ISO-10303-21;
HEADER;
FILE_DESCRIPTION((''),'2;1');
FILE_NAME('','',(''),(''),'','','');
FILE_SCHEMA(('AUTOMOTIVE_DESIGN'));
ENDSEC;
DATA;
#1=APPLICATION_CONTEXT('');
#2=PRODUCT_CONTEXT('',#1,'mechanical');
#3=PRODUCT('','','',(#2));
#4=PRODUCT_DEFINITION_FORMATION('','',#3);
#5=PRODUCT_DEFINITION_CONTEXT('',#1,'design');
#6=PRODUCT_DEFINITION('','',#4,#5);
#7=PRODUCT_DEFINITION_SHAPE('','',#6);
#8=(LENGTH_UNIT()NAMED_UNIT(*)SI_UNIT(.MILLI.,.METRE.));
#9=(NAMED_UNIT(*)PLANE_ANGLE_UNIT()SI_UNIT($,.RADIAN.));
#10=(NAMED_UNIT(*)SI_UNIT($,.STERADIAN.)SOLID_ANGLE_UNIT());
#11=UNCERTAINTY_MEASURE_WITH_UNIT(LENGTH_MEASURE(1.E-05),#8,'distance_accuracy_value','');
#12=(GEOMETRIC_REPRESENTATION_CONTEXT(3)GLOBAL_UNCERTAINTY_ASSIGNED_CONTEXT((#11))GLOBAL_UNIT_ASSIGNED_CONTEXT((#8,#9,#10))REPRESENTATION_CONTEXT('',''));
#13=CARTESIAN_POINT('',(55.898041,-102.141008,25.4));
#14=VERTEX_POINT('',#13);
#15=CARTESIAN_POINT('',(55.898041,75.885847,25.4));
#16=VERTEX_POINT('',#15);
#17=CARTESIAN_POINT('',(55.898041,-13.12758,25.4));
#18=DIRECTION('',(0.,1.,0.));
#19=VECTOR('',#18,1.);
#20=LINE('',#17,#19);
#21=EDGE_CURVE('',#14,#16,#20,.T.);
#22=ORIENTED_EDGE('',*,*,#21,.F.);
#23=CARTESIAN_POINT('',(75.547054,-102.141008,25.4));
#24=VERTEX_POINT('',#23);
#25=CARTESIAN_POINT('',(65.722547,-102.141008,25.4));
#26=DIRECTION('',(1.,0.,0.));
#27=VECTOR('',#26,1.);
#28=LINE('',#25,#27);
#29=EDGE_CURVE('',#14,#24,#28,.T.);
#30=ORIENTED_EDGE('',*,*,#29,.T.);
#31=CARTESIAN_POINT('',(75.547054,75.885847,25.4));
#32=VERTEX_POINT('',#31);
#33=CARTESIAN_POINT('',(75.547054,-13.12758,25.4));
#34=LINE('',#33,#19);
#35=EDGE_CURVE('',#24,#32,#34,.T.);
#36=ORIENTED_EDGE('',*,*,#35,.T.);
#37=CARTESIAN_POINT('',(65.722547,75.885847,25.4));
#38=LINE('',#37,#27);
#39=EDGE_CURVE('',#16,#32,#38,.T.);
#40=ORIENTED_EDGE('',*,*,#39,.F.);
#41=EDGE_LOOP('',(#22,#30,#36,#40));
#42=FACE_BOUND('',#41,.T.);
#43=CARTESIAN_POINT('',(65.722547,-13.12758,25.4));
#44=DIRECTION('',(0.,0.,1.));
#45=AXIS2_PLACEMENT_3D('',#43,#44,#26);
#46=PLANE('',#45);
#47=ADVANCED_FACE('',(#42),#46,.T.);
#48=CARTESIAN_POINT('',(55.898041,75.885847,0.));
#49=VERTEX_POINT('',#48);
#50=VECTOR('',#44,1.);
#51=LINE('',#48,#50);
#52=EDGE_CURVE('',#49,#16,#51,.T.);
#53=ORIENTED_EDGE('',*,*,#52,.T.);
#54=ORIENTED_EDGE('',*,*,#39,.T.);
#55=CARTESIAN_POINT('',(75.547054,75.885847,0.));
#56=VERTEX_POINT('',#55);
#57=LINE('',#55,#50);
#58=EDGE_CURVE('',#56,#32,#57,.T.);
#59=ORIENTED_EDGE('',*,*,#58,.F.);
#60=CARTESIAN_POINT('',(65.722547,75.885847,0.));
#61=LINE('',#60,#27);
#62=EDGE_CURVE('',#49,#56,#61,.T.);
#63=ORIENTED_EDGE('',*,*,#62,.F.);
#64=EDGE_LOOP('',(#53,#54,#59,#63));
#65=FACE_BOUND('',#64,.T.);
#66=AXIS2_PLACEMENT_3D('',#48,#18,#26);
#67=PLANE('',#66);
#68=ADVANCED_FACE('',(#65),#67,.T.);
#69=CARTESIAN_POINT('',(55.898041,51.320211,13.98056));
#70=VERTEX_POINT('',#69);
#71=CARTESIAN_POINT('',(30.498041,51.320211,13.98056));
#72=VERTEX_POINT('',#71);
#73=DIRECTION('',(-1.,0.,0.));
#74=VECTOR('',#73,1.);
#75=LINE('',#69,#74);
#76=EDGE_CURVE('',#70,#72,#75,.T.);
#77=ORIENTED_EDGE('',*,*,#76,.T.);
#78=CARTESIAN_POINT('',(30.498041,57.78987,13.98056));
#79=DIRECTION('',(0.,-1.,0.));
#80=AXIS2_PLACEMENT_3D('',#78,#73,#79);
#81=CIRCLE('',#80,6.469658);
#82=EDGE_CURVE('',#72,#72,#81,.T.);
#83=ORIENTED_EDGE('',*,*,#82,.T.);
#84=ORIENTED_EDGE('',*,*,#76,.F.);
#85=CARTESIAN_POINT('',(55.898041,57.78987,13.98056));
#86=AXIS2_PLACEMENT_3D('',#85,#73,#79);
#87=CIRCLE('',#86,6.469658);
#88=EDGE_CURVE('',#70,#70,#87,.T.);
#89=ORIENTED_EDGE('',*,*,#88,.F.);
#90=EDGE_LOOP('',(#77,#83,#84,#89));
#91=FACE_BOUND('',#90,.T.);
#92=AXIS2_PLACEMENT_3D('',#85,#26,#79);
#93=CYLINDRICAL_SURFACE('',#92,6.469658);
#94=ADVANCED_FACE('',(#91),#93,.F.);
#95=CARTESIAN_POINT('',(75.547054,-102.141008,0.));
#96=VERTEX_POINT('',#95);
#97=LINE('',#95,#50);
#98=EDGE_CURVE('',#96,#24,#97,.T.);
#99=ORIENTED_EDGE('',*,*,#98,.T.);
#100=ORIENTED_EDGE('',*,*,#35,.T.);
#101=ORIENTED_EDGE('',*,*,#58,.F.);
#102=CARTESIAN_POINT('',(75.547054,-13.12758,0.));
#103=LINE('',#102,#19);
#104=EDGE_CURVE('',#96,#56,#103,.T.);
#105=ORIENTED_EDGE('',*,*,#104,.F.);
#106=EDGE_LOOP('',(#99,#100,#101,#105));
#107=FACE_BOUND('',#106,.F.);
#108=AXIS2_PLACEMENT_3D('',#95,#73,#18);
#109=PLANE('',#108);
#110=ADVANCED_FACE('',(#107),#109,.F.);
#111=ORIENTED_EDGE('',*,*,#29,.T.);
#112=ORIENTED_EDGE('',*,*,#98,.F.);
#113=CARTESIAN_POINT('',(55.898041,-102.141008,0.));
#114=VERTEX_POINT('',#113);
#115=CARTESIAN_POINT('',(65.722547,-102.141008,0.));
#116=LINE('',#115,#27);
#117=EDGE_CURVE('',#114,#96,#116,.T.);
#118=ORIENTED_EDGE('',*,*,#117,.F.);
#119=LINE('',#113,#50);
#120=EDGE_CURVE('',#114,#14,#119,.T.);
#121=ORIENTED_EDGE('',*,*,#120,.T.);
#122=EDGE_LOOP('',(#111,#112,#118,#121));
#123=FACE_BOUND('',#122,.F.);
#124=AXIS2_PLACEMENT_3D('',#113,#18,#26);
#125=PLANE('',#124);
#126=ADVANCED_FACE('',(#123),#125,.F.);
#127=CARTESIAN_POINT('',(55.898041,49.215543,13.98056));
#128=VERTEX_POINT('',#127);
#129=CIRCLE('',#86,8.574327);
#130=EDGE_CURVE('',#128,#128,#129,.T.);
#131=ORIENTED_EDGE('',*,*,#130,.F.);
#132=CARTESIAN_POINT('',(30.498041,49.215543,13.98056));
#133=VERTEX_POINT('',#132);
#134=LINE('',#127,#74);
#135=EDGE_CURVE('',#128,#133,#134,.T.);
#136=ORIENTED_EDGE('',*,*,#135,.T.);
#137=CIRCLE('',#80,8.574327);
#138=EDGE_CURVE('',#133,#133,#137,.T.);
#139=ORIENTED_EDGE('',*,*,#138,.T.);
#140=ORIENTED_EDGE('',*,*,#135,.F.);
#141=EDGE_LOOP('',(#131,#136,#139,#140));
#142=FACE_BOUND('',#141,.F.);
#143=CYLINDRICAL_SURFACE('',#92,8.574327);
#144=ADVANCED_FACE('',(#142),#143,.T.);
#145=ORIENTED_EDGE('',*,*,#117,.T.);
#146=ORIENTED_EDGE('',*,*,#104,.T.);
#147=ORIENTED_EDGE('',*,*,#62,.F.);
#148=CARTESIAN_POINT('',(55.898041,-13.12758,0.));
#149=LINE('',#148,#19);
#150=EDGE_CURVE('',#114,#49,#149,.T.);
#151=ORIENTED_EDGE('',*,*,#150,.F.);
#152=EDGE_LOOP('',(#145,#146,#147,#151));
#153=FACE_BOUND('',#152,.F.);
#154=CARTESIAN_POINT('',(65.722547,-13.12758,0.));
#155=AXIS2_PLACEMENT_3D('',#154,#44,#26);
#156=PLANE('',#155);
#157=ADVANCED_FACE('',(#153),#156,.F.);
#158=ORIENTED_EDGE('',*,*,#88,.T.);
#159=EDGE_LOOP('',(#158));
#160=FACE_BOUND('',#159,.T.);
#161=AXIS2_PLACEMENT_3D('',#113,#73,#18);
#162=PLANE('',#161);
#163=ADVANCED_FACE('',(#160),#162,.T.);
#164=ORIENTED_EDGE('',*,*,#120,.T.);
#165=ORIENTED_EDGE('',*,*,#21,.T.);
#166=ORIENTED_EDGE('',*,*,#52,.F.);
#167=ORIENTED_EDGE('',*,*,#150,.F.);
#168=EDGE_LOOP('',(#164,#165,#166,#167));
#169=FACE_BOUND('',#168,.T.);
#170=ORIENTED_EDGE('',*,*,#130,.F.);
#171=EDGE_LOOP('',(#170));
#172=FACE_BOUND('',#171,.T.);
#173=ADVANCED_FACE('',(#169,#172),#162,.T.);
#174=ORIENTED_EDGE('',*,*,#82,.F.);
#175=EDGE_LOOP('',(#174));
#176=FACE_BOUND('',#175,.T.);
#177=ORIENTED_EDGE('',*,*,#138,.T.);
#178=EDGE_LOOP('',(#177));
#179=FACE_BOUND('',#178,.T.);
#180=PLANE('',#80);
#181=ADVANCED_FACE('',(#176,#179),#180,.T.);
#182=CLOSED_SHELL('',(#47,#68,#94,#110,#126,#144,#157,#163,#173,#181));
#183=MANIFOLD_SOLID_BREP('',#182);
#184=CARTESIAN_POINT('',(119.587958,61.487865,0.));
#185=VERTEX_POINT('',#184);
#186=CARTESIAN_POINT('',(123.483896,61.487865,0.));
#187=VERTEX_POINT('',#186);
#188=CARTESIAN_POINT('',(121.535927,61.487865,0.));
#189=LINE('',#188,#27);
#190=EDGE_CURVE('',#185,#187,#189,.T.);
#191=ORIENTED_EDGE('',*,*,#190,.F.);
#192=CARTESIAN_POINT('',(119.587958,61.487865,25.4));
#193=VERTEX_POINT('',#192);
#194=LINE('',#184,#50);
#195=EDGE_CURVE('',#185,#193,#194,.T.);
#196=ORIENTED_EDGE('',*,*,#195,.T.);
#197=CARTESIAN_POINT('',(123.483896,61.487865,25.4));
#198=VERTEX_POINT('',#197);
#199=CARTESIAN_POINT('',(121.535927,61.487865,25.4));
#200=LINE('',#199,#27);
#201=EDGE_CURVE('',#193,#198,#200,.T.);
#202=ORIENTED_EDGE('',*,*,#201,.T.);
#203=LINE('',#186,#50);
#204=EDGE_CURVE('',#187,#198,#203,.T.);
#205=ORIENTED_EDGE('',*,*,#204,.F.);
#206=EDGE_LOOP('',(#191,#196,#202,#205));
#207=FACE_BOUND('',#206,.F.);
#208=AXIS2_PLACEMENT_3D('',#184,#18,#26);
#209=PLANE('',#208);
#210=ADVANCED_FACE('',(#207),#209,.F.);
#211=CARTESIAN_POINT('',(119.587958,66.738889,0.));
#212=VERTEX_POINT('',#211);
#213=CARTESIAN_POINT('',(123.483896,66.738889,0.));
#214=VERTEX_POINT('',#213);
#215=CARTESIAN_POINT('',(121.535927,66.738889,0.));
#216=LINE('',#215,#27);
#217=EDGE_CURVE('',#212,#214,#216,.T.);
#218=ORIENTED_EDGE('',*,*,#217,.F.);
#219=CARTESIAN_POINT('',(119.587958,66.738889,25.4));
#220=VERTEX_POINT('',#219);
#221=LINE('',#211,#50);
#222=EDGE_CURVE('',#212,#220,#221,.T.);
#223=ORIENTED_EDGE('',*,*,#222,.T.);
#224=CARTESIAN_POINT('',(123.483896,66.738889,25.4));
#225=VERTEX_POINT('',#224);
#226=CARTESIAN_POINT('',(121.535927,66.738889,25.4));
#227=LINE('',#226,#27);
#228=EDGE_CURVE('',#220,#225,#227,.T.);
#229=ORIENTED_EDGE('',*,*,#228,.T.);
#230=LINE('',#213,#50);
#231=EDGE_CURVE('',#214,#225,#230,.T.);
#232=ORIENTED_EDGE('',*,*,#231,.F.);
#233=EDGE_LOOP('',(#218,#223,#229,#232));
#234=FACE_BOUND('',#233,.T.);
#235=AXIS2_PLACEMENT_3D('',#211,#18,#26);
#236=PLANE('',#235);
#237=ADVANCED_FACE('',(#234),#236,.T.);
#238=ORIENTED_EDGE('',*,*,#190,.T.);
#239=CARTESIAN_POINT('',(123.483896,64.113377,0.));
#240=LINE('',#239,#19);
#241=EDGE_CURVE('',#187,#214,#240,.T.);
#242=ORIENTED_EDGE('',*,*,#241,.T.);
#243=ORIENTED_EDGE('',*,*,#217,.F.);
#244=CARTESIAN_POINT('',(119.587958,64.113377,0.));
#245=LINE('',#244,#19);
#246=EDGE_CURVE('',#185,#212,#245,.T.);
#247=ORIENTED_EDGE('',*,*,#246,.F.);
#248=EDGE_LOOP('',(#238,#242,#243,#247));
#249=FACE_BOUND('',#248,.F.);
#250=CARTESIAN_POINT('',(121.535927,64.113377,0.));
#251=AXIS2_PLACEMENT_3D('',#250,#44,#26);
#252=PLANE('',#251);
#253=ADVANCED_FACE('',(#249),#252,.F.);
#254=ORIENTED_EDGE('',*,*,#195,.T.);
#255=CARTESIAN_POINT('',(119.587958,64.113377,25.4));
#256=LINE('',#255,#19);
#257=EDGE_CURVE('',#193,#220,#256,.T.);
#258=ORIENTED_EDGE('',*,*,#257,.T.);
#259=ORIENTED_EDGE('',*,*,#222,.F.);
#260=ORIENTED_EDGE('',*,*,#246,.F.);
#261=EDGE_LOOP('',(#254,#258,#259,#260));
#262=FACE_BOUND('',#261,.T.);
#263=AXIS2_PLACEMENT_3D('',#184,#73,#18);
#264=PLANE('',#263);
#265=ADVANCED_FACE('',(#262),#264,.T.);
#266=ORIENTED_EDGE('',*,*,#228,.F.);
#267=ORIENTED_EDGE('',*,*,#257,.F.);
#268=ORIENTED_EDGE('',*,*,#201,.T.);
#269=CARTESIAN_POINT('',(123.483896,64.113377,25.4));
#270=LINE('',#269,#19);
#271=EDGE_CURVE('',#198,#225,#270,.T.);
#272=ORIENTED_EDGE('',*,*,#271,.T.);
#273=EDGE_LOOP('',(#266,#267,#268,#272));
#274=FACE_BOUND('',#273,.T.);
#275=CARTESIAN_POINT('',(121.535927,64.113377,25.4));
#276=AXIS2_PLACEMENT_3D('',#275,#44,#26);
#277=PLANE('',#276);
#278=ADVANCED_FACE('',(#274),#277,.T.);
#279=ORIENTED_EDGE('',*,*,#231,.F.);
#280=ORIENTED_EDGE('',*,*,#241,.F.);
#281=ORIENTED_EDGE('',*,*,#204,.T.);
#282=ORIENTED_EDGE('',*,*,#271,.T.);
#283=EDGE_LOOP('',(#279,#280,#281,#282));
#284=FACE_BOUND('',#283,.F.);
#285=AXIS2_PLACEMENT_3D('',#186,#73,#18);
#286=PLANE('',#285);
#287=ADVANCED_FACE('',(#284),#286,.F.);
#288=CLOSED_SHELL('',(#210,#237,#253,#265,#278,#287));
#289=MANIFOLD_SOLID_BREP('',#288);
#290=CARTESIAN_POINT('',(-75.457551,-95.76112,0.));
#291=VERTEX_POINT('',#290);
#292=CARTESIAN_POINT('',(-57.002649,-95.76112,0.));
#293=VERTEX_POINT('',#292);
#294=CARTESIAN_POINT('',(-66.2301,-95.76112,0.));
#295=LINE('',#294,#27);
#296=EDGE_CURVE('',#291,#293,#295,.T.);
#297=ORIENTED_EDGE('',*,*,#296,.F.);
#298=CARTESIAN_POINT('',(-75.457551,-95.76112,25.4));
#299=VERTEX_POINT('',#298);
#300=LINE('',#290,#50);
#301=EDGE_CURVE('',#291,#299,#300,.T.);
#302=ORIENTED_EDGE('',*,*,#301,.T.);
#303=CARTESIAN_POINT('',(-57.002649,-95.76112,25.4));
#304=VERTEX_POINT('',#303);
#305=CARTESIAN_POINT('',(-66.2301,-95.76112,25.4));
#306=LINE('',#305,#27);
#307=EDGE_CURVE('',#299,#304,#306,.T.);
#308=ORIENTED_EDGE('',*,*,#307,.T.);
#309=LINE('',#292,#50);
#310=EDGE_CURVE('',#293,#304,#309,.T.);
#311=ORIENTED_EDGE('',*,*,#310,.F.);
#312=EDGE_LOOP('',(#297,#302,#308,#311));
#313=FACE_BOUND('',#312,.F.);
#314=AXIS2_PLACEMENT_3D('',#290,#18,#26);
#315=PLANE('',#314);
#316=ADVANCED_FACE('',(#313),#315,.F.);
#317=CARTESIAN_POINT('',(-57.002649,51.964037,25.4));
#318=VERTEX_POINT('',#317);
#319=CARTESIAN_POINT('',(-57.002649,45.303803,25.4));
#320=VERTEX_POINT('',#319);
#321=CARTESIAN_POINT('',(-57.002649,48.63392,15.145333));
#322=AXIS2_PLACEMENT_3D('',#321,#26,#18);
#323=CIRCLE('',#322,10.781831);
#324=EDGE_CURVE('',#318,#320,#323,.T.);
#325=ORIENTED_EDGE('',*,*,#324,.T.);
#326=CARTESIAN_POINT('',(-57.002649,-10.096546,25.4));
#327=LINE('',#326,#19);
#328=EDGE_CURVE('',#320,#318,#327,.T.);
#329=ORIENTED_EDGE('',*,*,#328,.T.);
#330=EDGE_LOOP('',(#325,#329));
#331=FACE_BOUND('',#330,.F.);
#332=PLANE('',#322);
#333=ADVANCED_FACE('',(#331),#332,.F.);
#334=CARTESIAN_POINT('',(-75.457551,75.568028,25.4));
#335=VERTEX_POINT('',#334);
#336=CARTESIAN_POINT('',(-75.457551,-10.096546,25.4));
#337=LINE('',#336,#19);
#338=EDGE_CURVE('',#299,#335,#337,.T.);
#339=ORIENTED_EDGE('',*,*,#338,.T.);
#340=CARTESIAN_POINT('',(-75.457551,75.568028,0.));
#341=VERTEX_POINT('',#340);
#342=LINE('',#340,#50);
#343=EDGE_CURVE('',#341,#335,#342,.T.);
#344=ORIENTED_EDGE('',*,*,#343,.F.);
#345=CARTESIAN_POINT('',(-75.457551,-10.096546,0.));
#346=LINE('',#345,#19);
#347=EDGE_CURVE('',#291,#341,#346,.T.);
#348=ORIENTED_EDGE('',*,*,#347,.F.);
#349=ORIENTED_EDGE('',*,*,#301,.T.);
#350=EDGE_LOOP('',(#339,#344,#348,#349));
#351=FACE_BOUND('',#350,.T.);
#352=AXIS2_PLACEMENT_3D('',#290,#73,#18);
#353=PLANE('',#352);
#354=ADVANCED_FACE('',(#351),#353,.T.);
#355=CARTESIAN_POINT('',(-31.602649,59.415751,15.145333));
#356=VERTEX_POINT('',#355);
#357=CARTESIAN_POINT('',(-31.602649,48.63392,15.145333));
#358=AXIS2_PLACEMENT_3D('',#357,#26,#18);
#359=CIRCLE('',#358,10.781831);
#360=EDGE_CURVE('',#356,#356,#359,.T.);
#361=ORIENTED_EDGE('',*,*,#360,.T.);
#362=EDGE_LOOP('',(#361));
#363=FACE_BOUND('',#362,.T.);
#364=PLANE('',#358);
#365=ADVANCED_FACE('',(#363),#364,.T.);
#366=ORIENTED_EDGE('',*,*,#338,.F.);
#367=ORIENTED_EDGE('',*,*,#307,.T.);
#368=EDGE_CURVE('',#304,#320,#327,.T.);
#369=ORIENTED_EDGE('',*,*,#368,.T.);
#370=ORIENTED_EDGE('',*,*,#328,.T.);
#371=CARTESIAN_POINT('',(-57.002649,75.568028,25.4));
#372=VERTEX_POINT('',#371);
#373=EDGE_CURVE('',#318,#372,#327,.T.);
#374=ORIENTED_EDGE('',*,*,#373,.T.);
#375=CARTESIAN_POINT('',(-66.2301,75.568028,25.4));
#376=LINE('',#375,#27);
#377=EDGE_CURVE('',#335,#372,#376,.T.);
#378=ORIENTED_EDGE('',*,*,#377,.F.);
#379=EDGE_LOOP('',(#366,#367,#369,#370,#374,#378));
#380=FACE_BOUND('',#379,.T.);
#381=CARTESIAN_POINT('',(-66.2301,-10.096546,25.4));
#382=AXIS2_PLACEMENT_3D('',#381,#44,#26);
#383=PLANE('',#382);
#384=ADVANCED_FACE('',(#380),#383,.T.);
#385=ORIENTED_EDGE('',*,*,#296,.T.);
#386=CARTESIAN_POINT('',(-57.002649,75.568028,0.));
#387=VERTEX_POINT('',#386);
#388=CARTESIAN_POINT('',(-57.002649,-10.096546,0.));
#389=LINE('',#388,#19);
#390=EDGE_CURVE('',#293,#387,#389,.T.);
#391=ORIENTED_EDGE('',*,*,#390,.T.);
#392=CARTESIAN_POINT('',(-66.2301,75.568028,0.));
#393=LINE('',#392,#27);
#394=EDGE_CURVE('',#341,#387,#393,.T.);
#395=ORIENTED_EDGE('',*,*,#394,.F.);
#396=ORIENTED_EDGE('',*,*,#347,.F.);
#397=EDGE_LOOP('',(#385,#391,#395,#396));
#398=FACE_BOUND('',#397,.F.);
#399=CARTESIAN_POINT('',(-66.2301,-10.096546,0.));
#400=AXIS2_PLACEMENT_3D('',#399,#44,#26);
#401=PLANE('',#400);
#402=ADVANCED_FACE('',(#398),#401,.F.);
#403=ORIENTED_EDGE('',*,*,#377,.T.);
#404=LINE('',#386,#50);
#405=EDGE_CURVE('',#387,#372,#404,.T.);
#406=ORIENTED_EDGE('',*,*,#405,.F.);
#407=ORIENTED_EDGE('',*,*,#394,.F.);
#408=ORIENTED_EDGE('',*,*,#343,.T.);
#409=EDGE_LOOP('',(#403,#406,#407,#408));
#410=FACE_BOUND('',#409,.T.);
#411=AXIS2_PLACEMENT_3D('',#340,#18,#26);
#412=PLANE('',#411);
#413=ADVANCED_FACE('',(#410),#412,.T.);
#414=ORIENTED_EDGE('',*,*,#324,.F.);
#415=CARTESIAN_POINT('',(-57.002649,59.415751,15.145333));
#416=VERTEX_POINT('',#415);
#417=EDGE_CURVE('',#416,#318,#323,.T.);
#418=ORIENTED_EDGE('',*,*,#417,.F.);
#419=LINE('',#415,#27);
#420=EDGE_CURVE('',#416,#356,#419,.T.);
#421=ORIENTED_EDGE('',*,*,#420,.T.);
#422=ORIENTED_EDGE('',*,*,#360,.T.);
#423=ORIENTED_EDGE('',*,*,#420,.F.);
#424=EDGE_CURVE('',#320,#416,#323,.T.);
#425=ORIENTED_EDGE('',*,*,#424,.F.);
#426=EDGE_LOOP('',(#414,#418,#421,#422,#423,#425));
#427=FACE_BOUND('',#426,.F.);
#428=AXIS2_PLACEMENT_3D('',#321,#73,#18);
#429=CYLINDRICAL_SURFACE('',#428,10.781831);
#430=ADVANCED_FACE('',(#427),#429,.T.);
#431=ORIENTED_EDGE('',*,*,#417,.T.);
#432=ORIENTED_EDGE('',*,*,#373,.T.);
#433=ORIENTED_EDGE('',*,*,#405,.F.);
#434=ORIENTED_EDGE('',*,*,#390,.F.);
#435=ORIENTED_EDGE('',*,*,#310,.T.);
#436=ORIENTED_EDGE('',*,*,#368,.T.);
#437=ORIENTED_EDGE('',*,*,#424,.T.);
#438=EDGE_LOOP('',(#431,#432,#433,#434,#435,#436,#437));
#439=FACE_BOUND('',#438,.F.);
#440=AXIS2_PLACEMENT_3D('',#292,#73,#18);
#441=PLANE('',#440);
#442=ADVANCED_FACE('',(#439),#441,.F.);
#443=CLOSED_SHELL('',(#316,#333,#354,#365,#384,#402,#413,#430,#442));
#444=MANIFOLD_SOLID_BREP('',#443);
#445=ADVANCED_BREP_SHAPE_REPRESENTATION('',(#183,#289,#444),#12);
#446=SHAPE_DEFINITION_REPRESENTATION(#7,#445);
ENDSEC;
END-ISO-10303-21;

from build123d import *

# Parameters (mm, degrees)
F0_W     = 3.8959383965
F0_H     = 5.2510239184
F1_DEPTH = 25.4
F0_W_2   = 19.6490138769
F0_H_2   = 178.0268549919
F0_W_3   = 18.4549018741
F0_H_3   = 171.3291481137
F2_R     = 8.5743267836
F2_R_2   = 6.4696583103
F3_DEPTH = 25.4
F4_R     = 10.7818311597
F5_DEPTH = 25.4


with BuildPart() as f1:
    # F0 (on Top) → F1 (new body)
    with BuildSketch(Plane.XY):
        with Locations((121.5359270573, 64.1133766621)):
            Rectangle(F0_W, F0_H)
    extrude(amount=F1_DEPTH)


with BuildPart() as f1b:
    # F0 (on Top) → F1, piece 2 (new body)
    with BuildSketch(Plane.XY):
        with Locations((65.7225474715, -13.1275802851)):
            Rectangle(F0_W_2, F0_H_2)
    extrude(amount=F1_DEPTH)

    # F2 (on face) → F3 (join)
    with BuildSketch(Plane(origin=(55.8980405331, 0, 0), x_dir=(0, -1, 0), z_dir=(-1, 0, 0))):
        with Locations((-57.7898696065, 13.9805600047)):
            Circle(F2_R)
        with Locations((-57.7898696065, 13.9805600047)):
            Circle(F2_R_2, mode=Mode.SUBTRACT)
    extrude(amount=F3_DEPTH)


with BuildPart() as f1c:
    # F0 (on Top) → F1, piece 3 (new body)
    with BuildSketch(Plane.XY):
        with Locations((-66.2300996482, -10.0965462625)):
            Rectangle(F0_W_3, F0_H_3)
    extrude(amount=F1_DEPTH)

    # F4 (on face) → F5 (join)
    with BuildSketch(Plane.YZ.offset(-57.0026487112)):
        with Locations((48.6339202338, 15.1453325418)):
            Circle(F4_R)
    extrude(amount=F5_DEPTH)


solid = Compound([f1.part, f1b.part, f1c.part])
